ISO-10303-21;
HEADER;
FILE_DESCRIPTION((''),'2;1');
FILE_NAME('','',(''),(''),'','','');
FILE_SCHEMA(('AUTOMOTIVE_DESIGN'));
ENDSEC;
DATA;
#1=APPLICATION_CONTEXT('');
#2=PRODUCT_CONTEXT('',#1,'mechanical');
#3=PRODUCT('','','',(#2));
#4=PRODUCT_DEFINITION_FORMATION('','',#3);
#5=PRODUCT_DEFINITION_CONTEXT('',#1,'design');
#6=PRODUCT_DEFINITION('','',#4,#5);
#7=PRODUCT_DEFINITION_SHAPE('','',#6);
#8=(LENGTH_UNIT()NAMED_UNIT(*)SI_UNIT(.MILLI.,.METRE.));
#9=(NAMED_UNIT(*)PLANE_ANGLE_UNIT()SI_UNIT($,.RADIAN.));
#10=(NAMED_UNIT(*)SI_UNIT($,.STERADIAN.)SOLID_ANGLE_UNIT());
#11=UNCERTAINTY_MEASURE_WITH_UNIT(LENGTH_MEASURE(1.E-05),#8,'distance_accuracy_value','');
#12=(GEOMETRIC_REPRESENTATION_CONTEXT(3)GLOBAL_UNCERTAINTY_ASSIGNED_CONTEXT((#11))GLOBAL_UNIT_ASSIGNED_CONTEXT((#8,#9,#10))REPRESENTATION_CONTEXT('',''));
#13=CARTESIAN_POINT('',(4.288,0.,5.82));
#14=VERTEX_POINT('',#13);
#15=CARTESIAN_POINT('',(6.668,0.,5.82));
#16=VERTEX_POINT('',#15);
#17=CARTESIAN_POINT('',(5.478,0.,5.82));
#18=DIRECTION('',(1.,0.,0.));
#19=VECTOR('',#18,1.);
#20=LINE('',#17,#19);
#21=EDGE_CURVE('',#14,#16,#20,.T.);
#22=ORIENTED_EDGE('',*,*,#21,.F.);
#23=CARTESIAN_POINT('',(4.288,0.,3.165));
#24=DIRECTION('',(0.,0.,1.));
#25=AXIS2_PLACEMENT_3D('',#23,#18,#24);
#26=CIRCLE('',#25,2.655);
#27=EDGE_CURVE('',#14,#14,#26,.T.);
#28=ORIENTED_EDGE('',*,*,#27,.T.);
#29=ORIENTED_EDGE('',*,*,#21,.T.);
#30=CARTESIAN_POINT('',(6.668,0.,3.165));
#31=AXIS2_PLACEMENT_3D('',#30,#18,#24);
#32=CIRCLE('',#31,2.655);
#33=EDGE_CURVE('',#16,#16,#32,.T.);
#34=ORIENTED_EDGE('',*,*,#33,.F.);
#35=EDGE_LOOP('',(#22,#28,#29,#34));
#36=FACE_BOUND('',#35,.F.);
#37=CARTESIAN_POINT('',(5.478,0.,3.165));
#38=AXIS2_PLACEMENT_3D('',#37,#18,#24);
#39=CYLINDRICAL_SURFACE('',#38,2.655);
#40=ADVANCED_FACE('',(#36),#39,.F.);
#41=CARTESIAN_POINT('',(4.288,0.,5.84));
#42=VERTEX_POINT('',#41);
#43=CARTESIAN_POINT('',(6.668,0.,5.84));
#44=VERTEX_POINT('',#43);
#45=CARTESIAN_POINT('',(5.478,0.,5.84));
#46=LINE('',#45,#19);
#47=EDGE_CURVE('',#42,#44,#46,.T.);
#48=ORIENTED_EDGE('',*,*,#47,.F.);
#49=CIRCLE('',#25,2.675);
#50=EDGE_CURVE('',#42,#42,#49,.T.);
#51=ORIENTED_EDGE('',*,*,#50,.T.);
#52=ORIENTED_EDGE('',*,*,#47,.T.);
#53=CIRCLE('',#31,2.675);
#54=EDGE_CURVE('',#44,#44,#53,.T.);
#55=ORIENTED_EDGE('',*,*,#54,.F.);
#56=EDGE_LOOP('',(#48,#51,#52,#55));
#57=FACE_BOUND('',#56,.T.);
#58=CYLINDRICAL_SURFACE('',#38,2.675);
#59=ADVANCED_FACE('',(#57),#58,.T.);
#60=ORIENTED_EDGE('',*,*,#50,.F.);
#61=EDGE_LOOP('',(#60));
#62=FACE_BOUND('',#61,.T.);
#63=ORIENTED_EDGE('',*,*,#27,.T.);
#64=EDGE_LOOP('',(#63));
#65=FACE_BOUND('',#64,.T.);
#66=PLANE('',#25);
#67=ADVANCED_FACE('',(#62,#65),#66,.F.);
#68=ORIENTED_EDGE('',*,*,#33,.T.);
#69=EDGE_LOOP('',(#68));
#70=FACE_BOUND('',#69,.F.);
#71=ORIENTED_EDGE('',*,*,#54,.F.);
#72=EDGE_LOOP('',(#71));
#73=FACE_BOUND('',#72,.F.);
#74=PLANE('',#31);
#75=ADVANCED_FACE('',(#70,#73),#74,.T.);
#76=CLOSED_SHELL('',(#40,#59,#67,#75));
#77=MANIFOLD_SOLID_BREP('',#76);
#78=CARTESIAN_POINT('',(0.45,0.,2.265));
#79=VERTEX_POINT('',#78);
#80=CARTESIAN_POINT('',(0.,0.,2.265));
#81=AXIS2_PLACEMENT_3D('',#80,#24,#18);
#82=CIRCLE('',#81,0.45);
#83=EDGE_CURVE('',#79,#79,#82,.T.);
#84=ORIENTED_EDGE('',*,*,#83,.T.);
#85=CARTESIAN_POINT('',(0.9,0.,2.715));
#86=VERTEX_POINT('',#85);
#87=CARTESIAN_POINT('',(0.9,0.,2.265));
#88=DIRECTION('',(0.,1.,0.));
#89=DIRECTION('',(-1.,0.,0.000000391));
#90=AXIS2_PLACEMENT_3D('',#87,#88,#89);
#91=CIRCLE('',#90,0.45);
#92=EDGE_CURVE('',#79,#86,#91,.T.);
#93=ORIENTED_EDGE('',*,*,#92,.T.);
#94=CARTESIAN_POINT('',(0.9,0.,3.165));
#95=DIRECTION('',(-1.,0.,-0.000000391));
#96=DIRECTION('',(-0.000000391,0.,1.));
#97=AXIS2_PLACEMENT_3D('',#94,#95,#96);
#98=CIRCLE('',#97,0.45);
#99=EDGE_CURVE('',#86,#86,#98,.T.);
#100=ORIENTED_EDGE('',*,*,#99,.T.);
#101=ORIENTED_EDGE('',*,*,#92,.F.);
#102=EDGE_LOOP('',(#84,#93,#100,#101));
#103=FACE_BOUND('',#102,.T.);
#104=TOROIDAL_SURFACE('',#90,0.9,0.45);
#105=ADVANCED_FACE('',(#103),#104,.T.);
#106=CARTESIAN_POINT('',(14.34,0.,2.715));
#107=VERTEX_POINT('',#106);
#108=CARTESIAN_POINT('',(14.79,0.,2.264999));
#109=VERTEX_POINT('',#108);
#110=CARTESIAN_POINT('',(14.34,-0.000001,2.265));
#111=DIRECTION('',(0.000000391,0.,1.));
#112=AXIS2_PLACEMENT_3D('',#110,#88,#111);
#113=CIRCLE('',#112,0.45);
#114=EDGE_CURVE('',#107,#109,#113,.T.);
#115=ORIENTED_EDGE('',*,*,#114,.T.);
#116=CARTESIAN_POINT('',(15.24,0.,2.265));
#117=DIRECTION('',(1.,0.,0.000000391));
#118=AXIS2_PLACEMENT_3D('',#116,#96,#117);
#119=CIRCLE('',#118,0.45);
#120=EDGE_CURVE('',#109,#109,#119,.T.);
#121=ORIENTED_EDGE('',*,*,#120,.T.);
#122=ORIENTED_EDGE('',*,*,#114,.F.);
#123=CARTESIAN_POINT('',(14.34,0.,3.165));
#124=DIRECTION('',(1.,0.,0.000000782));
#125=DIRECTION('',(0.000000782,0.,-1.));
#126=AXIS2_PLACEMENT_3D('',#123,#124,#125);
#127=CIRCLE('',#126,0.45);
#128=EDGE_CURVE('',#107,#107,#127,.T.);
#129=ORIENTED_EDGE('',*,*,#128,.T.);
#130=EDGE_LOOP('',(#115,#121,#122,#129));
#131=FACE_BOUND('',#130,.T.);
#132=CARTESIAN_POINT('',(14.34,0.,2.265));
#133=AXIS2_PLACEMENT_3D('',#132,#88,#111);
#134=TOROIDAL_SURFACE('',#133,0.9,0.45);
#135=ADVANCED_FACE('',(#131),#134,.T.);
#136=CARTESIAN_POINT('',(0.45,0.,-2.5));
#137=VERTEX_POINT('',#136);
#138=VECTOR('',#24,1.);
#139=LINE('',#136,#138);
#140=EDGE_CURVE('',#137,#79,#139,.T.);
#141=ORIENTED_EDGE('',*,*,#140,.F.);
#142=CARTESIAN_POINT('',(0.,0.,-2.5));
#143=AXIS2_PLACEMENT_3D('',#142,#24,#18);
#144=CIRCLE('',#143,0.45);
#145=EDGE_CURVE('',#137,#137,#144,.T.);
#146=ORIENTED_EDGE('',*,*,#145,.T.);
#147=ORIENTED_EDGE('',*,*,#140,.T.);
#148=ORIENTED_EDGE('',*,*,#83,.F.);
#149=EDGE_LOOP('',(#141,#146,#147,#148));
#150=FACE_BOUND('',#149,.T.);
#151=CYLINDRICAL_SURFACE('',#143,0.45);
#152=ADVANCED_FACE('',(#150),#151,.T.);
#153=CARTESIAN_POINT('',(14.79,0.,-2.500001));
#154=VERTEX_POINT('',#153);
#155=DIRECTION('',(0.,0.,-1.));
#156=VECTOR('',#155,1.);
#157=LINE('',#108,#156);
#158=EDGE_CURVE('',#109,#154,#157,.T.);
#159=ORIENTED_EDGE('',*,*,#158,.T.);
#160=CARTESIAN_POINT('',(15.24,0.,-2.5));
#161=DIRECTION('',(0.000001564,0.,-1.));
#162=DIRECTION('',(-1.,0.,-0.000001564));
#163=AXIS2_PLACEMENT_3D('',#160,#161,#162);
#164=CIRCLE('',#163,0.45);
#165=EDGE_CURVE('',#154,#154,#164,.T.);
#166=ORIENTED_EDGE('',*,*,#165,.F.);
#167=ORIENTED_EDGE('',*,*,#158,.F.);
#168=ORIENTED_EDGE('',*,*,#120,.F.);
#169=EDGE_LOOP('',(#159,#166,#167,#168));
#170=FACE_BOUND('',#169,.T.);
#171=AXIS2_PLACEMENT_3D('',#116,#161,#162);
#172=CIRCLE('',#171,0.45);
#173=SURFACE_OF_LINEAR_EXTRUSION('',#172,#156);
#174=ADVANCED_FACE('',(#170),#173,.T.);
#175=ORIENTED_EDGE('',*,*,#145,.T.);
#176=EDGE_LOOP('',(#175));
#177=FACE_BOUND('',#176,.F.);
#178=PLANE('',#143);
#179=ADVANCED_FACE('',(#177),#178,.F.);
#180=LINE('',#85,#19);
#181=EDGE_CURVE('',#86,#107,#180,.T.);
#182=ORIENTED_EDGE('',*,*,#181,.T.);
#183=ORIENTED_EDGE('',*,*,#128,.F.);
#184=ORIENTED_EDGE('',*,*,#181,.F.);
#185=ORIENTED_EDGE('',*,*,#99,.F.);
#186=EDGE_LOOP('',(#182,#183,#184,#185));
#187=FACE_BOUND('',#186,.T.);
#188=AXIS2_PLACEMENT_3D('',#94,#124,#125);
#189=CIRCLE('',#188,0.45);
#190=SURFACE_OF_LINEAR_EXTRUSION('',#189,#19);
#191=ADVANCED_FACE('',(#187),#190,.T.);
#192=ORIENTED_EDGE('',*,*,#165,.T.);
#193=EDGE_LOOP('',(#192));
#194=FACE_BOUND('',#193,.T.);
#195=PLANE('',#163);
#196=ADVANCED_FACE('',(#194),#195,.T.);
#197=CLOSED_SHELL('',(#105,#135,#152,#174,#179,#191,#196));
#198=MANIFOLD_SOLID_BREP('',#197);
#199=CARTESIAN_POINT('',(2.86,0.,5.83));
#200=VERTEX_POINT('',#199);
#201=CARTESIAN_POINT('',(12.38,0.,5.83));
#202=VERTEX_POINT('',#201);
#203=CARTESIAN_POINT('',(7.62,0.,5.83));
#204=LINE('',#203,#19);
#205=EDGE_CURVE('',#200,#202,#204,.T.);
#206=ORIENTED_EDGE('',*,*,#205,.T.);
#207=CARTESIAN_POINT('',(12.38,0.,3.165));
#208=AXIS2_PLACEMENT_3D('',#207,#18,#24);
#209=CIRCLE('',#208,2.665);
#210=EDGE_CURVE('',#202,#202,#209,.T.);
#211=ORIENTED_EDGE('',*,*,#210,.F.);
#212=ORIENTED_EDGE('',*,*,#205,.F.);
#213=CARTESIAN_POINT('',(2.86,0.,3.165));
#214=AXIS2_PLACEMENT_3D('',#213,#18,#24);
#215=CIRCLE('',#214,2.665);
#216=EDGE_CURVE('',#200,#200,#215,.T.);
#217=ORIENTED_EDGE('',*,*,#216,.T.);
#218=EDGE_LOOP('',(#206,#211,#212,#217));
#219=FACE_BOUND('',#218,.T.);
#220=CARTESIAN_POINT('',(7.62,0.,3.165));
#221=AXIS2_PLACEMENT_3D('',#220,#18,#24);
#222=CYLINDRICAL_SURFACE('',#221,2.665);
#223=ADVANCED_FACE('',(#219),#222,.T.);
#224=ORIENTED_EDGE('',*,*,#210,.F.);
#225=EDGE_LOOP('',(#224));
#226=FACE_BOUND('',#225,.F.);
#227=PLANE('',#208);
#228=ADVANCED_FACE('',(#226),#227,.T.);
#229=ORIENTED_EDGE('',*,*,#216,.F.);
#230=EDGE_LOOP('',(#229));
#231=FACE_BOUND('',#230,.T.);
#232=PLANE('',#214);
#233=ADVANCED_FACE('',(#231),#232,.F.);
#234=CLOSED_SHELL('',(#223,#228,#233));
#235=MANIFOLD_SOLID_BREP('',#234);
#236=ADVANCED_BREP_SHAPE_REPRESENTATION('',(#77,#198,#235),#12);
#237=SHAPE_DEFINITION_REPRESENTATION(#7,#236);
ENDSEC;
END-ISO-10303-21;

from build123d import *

# Parameters (mm, degrees)
SKETCH002_W = 9.52
SKETCH002_H = 2.665
SKETCH003_W = 2.38
SKETCH003_H = 0.02
SKETCH_R    = 0.45


with BuildPart() as revolution:
    # Sketch002 → Revolution (revolve)
    with BuildSketch(Plane.XZ):
        with Locations((7.62, 4.4975)):
            Rectangle(SKETCH002_W, SKETCH002_H)
    revolve(axis=Axis((2.86, 0, 3.165), (1, 0, 0)))


with BuildPart() as revolution001:
    # Sketch003 → Revolution001 (revolve)
    with BuildSketch(Plane.XZ):
        with Locations((5.478, 5.83)):
            Rectangle(SKETCH003_W, SKETCH003_H)
    revolve(axis=Axis((0, 0, 3.165), (1, 0, 0)))


with BuildPart() as sweep_body:
    # Sweep: sweep along a path in Sketch001
    with BuildLine(Plane.XZ) as sweep_path:
        Line((0, -2.5), (0, 2.265))
        ThreePointArc((0, 2.265), (0.263604, 2.901396), (0.9, 3.165))
        Line((0.9, 3.165), (14.34, 3.165))
        ThreePointArc((14.34, 3.165), (14.976396, 2.901396), (15.24, 2.265))
        Line((15.24, 2.265), (15.24, -2.5))
    # Sketch → Sweep (sweep)
    with BuildSketch(Plane.XY.offset(-2)):
        Circle(SKETCH_R)
    sweep(path=sweep_path.line)


solid = Compound([revolution.part, revolution001.part, sweep_body.part])
